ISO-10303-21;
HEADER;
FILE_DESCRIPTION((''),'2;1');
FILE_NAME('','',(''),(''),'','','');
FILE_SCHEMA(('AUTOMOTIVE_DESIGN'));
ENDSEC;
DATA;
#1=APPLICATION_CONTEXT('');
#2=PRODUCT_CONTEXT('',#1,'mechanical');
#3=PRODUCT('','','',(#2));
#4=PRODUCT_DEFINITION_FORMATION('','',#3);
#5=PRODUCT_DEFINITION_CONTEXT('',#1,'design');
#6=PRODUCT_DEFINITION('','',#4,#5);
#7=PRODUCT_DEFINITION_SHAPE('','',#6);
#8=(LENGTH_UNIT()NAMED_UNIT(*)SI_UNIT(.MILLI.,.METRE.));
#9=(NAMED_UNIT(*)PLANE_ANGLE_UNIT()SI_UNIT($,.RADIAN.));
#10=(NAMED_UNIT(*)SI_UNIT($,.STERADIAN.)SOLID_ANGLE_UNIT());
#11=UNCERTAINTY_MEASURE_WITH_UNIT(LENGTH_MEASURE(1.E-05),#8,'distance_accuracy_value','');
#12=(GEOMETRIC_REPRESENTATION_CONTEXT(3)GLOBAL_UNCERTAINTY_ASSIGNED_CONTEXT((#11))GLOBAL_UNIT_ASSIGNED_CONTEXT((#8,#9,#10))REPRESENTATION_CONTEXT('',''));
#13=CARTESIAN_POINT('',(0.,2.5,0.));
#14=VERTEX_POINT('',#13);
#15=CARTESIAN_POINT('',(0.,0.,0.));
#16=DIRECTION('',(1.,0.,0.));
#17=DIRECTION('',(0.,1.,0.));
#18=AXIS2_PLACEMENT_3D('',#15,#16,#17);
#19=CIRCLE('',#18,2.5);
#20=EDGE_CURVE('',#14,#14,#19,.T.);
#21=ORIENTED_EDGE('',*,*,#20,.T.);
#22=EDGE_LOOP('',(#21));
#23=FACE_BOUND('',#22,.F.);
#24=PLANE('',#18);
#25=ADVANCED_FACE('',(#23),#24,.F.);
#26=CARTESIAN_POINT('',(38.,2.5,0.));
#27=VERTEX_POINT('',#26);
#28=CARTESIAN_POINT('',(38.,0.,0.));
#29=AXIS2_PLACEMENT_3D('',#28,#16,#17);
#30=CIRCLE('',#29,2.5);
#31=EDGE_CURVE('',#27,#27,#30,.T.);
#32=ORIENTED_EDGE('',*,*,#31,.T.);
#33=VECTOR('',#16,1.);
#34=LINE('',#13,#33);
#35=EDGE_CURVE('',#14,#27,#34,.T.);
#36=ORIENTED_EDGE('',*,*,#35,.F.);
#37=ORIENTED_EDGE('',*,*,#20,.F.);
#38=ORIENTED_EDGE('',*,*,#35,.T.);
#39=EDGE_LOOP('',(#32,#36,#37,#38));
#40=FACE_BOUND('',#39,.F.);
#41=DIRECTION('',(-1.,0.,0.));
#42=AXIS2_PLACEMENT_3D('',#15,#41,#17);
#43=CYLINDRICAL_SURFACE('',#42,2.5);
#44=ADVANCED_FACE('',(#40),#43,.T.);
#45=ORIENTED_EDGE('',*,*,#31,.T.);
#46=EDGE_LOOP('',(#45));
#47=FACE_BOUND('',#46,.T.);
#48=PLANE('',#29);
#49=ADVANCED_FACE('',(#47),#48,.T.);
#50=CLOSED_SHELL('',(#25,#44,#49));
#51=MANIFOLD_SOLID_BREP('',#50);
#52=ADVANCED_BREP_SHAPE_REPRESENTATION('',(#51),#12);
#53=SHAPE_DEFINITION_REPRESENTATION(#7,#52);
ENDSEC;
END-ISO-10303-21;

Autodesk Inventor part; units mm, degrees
ref_plane "YZ Plane" through (0, 0, 0) normal (1, 0, 0) x (0, 1, 0)
ref_plane "XZ Plane" through (0, 0, 0) normal (0, 1, 0) x (-1, 0, 0)
ref_plane "XY Plane" through (0, 0, 0) normal (0, 0, 1) x (1, 0, 0)
sketch "Sketch1" plane through (0, 0, 0) normal (1, 0, 0) x (0, 1, 0)
  circle A0 centre (0, 0) radius 2.5
  dimension "d0" = 5
extrude "Extrusion1" add sketch "Sketch1" along normal blind 38
properties part number "Gear Road 2"
